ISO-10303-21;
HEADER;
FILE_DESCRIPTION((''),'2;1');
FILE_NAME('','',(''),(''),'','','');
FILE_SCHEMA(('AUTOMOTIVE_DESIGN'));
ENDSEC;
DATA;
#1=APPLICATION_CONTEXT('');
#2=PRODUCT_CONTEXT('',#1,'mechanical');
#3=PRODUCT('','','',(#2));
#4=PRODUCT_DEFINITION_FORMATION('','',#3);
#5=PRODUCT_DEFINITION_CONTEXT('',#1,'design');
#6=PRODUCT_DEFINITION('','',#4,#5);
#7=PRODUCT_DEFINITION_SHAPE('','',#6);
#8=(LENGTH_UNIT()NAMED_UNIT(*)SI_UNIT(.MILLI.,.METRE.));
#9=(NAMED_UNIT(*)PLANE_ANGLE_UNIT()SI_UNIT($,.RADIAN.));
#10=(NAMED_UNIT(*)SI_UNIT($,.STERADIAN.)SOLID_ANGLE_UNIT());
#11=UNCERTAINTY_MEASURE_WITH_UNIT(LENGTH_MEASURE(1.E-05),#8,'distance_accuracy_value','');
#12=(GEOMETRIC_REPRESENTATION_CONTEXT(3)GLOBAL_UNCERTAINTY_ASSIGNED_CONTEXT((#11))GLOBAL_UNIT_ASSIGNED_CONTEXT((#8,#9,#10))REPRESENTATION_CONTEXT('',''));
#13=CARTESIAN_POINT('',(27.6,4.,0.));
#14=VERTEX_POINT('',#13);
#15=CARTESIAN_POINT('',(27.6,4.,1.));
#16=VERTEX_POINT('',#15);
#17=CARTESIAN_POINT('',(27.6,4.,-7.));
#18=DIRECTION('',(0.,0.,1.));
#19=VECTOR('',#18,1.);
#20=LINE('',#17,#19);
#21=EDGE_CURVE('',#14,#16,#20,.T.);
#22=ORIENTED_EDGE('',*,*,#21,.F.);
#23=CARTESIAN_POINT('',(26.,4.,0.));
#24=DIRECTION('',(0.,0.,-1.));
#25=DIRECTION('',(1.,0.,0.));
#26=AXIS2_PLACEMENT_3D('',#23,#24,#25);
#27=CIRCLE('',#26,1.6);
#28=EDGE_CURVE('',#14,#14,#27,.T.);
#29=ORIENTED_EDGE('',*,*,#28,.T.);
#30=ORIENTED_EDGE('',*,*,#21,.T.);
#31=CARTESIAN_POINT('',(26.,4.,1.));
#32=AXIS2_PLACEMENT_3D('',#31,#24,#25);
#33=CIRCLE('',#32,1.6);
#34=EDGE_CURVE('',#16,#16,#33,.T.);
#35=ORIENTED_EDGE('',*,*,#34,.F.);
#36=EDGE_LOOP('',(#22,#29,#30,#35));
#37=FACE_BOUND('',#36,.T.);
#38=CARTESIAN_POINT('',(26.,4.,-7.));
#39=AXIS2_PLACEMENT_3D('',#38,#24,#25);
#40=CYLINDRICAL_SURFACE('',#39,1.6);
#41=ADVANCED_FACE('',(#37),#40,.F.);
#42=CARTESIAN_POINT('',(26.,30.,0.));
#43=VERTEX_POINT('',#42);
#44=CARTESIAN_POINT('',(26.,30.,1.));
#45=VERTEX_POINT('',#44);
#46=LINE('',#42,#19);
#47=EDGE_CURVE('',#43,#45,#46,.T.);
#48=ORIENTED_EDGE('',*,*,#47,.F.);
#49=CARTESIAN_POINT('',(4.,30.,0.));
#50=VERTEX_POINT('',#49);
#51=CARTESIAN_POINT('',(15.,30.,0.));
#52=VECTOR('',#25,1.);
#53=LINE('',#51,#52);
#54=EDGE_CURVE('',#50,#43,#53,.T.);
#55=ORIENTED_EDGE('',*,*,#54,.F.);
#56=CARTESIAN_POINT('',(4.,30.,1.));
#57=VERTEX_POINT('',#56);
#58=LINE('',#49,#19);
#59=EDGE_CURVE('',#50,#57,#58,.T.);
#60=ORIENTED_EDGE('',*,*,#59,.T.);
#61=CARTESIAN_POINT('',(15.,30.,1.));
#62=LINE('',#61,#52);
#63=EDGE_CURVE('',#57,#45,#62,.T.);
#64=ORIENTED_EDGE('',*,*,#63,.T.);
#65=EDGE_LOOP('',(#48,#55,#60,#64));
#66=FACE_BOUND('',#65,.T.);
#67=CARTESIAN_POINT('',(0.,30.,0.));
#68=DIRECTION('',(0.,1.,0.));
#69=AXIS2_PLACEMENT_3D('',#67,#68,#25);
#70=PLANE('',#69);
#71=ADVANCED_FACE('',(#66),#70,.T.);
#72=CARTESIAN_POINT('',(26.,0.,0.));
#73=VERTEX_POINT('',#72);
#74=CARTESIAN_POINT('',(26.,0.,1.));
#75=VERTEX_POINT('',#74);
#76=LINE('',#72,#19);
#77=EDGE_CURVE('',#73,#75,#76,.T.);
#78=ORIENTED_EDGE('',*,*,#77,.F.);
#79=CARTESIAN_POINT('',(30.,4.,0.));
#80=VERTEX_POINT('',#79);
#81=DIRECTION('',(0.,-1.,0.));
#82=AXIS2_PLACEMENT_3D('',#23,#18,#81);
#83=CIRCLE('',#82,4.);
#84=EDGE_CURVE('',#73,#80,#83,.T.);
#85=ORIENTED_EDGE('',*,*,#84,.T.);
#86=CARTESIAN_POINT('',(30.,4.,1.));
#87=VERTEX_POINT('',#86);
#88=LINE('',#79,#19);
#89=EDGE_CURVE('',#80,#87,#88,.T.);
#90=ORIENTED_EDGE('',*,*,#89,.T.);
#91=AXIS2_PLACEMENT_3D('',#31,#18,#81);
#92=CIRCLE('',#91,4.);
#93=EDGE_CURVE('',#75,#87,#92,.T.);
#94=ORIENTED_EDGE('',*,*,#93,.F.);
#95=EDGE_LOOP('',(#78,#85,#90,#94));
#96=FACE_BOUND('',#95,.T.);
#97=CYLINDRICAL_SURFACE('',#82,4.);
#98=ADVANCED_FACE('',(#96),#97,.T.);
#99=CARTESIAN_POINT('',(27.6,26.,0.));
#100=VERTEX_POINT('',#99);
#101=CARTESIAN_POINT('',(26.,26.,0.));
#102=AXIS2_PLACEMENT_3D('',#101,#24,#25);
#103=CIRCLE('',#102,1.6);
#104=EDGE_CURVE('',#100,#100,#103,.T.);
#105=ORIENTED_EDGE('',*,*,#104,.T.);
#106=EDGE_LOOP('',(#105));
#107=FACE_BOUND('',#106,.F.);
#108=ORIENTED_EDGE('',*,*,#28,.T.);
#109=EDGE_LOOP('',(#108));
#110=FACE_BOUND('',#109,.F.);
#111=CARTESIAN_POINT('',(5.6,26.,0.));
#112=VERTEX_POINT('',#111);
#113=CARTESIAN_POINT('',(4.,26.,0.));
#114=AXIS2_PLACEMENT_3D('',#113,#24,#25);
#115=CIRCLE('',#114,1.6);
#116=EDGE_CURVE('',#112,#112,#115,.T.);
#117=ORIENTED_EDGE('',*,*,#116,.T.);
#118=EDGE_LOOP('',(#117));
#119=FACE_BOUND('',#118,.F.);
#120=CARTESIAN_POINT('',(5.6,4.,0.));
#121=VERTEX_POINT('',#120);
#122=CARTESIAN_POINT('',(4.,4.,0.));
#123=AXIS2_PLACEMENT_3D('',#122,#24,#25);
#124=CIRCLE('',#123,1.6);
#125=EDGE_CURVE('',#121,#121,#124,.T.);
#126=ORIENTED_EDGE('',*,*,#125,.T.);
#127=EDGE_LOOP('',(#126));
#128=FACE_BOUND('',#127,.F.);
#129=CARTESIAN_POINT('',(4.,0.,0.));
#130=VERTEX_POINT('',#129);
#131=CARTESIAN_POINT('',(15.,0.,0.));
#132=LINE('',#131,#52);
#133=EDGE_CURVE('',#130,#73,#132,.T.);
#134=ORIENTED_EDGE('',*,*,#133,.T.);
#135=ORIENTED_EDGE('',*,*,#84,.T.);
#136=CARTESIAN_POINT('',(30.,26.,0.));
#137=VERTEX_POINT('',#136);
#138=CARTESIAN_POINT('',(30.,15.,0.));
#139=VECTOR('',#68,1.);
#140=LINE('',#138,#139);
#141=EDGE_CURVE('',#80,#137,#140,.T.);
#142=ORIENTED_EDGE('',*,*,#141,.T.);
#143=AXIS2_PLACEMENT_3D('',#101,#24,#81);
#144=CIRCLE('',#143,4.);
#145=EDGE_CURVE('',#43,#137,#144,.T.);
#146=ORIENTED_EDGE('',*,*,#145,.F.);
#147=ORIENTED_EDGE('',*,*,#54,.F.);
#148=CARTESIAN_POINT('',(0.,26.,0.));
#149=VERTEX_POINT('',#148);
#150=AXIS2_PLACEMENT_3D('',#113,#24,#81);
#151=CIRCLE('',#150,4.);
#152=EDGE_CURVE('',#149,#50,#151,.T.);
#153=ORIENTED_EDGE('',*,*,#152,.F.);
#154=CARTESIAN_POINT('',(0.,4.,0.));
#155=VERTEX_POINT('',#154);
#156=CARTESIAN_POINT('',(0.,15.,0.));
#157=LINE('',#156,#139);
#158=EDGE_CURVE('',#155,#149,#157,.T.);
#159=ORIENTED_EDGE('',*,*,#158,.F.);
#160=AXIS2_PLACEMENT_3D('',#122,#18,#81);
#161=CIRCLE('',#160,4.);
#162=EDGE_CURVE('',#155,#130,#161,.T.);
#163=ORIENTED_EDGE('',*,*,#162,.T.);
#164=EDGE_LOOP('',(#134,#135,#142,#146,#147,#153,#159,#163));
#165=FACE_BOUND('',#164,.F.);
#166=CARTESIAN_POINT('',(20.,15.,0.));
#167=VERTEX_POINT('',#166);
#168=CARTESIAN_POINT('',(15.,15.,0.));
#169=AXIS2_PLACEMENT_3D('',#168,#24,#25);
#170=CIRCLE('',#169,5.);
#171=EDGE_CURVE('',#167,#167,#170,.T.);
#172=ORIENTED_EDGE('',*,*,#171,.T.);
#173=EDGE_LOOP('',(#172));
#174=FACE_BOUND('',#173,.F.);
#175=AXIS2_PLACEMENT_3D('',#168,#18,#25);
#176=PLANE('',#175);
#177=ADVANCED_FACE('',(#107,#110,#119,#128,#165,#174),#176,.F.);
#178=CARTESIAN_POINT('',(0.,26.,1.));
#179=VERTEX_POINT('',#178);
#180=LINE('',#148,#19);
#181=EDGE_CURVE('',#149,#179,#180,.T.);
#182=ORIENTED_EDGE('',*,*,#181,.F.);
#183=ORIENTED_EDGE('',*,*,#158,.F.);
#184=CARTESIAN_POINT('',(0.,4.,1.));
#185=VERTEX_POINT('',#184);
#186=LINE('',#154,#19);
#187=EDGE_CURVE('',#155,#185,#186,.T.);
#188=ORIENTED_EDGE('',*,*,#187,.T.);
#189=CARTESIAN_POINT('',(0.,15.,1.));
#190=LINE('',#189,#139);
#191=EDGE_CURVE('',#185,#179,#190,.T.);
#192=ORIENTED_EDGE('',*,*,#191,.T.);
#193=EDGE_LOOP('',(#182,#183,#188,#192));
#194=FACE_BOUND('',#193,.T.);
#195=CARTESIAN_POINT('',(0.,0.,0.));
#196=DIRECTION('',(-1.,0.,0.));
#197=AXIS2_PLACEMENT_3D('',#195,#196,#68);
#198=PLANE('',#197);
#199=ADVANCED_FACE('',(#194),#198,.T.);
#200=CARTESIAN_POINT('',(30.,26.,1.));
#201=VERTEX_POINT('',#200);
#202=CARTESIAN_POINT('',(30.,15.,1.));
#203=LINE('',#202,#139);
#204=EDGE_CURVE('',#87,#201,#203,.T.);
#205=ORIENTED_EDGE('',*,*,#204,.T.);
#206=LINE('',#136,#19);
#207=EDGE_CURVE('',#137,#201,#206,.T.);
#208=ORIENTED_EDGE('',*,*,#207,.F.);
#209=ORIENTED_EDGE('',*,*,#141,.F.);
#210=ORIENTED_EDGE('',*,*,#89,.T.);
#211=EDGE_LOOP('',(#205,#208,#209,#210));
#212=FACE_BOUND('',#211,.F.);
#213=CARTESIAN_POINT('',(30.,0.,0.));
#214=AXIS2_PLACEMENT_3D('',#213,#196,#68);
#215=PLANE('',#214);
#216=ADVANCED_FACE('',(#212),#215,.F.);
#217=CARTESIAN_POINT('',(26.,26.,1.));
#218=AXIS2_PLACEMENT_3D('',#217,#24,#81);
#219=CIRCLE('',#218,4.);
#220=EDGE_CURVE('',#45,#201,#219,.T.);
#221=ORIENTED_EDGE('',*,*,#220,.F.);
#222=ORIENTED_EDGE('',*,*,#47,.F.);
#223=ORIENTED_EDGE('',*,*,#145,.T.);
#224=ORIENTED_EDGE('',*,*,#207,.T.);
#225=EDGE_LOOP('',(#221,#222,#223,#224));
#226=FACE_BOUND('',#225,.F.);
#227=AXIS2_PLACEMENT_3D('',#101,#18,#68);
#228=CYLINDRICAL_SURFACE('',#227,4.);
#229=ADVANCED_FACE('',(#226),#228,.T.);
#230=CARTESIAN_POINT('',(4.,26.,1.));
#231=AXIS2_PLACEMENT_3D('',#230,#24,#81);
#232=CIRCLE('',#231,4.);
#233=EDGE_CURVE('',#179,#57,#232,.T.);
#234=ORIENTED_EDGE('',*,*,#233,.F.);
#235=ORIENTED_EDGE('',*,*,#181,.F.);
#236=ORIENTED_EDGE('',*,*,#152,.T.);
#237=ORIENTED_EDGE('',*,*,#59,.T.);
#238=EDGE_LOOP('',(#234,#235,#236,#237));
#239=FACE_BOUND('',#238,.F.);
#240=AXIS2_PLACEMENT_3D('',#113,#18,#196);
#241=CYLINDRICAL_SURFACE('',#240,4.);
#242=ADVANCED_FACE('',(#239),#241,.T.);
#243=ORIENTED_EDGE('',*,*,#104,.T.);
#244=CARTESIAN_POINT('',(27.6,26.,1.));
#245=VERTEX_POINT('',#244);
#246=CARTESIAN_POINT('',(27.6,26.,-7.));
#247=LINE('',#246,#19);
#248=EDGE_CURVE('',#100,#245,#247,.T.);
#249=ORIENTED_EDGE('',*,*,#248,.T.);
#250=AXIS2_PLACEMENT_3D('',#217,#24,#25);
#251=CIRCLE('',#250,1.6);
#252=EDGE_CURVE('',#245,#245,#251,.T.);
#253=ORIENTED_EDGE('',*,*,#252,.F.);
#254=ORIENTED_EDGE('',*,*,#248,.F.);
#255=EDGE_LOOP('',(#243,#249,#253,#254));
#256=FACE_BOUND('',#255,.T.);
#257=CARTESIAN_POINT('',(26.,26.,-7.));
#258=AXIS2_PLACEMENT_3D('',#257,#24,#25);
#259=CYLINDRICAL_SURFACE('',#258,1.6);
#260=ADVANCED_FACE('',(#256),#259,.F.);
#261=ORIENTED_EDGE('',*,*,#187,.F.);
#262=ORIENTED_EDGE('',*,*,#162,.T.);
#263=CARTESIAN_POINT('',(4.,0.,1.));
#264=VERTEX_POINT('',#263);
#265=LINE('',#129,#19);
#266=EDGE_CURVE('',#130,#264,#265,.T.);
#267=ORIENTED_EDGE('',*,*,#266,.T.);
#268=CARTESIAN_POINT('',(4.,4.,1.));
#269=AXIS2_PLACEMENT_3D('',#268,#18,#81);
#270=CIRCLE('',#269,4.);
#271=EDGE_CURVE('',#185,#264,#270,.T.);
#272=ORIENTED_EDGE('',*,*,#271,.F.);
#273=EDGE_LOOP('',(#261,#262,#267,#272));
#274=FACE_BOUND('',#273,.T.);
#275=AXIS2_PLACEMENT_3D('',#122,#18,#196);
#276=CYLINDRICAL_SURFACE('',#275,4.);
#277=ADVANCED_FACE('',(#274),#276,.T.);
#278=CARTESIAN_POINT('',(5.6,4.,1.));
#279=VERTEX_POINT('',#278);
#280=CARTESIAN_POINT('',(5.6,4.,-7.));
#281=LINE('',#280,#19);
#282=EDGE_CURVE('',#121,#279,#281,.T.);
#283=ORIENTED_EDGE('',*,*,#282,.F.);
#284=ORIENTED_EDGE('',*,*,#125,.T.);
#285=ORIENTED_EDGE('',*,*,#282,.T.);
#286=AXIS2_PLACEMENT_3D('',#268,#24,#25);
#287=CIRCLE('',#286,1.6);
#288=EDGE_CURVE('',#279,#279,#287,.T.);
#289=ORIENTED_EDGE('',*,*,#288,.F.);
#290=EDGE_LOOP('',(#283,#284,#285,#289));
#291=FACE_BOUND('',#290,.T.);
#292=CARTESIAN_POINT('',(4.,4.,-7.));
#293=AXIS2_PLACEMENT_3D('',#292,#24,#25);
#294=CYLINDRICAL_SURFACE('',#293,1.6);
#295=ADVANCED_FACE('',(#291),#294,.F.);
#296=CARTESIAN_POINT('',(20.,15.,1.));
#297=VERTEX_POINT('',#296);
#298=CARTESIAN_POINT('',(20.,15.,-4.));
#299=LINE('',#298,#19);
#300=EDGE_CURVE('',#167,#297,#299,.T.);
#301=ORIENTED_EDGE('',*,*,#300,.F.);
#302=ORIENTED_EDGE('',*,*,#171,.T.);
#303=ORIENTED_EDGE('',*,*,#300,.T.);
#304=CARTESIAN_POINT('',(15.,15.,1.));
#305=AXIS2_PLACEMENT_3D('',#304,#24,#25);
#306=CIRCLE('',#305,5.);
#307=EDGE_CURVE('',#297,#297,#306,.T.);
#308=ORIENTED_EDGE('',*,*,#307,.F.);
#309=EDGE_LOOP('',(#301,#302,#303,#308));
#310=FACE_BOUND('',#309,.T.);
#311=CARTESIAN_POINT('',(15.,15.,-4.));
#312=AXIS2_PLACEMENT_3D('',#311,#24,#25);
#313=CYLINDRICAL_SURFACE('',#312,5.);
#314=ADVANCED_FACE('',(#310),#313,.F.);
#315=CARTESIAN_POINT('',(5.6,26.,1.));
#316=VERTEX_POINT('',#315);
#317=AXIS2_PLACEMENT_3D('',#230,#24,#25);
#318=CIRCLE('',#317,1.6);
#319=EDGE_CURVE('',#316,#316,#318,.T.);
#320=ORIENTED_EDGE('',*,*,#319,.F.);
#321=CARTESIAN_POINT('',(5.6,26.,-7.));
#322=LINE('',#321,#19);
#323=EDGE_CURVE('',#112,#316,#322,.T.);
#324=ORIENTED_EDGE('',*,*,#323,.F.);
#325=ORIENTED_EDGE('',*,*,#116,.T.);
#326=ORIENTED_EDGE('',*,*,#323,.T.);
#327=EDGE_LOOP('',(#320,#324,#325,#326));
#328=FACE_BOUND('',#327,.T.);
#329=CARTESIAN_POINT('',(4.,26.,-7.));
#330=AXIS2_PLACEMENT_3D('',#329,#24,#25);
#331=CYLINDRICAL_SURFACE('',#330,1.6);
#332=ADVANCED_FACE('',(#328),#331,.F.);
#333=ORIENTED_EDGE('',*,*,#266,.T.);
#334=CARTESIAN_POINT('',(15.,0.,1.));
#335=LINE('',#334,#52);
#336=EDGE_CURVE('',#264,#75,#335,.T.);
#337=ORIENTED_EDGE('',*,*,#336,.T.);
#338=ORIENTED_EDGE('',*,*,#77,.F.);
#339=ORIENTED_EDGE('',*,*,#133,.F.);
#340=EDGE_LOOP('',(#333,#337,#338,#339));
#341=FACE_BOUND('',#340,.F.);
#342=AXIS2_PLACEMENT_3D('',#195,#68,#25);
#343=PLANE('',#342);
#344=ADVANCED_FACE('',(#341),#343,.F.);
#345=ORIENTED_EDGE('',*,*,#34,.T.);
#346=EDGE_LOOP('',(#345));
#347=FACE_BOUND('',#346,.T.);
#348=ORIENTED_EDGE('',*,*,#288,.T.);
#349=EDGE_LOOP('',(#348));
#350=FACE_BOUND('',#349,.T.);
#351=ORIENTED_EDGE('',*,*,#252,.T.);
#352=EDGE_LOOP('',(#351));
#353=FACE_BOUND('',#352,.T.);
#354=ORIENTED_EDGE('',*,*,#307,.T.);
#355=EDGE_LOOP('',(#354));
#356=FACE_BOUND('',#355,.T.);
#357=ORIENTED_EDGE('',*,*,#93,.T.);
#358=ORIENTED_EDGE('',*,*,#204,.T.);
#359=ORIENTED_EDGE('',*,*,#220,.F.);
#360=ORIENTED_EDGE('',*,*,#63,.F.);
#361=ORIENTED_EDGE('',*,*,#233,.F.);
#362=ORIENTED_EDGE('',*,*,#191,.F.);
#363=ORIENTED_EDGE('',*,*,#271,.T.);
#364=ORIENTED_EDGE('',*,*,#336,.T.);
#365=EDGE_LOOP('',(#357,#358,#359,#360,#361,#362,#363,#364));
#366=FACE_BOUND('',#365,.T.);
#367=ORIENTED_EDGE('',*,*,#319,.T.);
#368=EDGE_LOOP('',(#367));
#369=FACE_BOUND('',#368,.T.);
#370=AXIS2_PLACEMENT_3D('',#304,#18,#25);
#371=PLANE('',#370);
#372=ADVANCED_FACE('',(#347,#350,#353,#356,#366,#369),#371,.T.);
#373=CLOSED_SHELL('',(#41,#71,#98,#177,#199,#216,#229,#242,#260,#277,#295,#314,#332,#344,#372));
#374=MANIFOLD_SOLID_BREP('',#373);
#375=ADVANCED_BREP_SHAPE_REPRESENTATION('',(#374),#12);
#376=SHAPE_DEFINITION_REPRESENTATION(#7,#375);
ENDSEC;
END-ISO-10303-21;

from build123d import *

# Parameters (mm, degrees)
CYLINDER021_R       = 5
CYLINDER021_DEPTH   = 15
CYLINDER107_R       = 1.6
CYLINDER107_DEPTH   = 20
ARRAY001008_X_COUNT = 2
ARRAY001008_X_PITCH = 22
ARRAY001008_Y_COUNT = 2
ARRAY001008_Y_PITCH = 22
BOX009_W            = 30
BOX009_H            = 30
BOX009_DEPTH        = 1
FILLET004_R         = 4


with BuildPart() as side_bearing_central_hole_cylinder001:
    # Cylinder021 → Cylinder021 (new body)
    with BuildSketch(Plane(origin=(15, 15, -4), x_dir=(1, 0, 0), z_dir=(0, 0, 1))):
        Circle(CYLINDER021_R)
    extrude(amount=CYLINDER021_DEPTH)


with BuildPart() as fusion010:
    # Cylinder107 → Cylinder107 (new body)
    with BuildSketch(Plane(origin=(4, 4, -7), x_dir=(1, 0, 0), z_dir=(0, 0, 1))):
        Circle(CYLINDER107_R)
    extrude(amount=CYLINDER107_DEPTH)

    # Array001008 X: Fusion010 ×2


with BuildPart() as fusion010_1:
    add(fusion010.part)
    with Locations(*[(i * ARRAY001008_X_PITCH, 0, 0) for i in range(1, ARRAY001008_X_COUNT)]):
        add(fusion010.part)

    # Array001008 Y: Fusion010 ×2


with BuildPart() as fusion010_2:
    add(fusion010_1.part)
    with Locations(*[(0, i * ARRAY001008_Y_PITCH, 0) for i in range(1, ARRAY001008_Y_COUNT)]):
        add(fusion010_1.part)

    # Fusion010: union side bearing central hole cylinder001
    add(side_bearing_central_hole_cylinder001.part)


with BuildPart() as bearing_cover_fillet:
    # Box009 → Box009 (new body)
    with BuildSketch(Plane.XY):
        with Locations((15, 15)):
            Rectangle(BOX009_W, BOX009_H)
    extrude(amount=BOX009_DEPTH)

    # Cut007: cut Fusion010
    add(fusion010_2.part, mode=Mode.SUBTRACT)

    # Fillet004
    fillet004_edges = [bearing_cover_fillet.edges().sort_by_distance(p)[0] for p in [
        (0, 0, 0.5),
        (0, 30, 0.5),
        (30, 0, 0.5),
        (30, 30, 0.5),
    ]]
    fillet(fillet004_edges, radius=FILLET004_R)


solid = bearing_cover_fillet.part
